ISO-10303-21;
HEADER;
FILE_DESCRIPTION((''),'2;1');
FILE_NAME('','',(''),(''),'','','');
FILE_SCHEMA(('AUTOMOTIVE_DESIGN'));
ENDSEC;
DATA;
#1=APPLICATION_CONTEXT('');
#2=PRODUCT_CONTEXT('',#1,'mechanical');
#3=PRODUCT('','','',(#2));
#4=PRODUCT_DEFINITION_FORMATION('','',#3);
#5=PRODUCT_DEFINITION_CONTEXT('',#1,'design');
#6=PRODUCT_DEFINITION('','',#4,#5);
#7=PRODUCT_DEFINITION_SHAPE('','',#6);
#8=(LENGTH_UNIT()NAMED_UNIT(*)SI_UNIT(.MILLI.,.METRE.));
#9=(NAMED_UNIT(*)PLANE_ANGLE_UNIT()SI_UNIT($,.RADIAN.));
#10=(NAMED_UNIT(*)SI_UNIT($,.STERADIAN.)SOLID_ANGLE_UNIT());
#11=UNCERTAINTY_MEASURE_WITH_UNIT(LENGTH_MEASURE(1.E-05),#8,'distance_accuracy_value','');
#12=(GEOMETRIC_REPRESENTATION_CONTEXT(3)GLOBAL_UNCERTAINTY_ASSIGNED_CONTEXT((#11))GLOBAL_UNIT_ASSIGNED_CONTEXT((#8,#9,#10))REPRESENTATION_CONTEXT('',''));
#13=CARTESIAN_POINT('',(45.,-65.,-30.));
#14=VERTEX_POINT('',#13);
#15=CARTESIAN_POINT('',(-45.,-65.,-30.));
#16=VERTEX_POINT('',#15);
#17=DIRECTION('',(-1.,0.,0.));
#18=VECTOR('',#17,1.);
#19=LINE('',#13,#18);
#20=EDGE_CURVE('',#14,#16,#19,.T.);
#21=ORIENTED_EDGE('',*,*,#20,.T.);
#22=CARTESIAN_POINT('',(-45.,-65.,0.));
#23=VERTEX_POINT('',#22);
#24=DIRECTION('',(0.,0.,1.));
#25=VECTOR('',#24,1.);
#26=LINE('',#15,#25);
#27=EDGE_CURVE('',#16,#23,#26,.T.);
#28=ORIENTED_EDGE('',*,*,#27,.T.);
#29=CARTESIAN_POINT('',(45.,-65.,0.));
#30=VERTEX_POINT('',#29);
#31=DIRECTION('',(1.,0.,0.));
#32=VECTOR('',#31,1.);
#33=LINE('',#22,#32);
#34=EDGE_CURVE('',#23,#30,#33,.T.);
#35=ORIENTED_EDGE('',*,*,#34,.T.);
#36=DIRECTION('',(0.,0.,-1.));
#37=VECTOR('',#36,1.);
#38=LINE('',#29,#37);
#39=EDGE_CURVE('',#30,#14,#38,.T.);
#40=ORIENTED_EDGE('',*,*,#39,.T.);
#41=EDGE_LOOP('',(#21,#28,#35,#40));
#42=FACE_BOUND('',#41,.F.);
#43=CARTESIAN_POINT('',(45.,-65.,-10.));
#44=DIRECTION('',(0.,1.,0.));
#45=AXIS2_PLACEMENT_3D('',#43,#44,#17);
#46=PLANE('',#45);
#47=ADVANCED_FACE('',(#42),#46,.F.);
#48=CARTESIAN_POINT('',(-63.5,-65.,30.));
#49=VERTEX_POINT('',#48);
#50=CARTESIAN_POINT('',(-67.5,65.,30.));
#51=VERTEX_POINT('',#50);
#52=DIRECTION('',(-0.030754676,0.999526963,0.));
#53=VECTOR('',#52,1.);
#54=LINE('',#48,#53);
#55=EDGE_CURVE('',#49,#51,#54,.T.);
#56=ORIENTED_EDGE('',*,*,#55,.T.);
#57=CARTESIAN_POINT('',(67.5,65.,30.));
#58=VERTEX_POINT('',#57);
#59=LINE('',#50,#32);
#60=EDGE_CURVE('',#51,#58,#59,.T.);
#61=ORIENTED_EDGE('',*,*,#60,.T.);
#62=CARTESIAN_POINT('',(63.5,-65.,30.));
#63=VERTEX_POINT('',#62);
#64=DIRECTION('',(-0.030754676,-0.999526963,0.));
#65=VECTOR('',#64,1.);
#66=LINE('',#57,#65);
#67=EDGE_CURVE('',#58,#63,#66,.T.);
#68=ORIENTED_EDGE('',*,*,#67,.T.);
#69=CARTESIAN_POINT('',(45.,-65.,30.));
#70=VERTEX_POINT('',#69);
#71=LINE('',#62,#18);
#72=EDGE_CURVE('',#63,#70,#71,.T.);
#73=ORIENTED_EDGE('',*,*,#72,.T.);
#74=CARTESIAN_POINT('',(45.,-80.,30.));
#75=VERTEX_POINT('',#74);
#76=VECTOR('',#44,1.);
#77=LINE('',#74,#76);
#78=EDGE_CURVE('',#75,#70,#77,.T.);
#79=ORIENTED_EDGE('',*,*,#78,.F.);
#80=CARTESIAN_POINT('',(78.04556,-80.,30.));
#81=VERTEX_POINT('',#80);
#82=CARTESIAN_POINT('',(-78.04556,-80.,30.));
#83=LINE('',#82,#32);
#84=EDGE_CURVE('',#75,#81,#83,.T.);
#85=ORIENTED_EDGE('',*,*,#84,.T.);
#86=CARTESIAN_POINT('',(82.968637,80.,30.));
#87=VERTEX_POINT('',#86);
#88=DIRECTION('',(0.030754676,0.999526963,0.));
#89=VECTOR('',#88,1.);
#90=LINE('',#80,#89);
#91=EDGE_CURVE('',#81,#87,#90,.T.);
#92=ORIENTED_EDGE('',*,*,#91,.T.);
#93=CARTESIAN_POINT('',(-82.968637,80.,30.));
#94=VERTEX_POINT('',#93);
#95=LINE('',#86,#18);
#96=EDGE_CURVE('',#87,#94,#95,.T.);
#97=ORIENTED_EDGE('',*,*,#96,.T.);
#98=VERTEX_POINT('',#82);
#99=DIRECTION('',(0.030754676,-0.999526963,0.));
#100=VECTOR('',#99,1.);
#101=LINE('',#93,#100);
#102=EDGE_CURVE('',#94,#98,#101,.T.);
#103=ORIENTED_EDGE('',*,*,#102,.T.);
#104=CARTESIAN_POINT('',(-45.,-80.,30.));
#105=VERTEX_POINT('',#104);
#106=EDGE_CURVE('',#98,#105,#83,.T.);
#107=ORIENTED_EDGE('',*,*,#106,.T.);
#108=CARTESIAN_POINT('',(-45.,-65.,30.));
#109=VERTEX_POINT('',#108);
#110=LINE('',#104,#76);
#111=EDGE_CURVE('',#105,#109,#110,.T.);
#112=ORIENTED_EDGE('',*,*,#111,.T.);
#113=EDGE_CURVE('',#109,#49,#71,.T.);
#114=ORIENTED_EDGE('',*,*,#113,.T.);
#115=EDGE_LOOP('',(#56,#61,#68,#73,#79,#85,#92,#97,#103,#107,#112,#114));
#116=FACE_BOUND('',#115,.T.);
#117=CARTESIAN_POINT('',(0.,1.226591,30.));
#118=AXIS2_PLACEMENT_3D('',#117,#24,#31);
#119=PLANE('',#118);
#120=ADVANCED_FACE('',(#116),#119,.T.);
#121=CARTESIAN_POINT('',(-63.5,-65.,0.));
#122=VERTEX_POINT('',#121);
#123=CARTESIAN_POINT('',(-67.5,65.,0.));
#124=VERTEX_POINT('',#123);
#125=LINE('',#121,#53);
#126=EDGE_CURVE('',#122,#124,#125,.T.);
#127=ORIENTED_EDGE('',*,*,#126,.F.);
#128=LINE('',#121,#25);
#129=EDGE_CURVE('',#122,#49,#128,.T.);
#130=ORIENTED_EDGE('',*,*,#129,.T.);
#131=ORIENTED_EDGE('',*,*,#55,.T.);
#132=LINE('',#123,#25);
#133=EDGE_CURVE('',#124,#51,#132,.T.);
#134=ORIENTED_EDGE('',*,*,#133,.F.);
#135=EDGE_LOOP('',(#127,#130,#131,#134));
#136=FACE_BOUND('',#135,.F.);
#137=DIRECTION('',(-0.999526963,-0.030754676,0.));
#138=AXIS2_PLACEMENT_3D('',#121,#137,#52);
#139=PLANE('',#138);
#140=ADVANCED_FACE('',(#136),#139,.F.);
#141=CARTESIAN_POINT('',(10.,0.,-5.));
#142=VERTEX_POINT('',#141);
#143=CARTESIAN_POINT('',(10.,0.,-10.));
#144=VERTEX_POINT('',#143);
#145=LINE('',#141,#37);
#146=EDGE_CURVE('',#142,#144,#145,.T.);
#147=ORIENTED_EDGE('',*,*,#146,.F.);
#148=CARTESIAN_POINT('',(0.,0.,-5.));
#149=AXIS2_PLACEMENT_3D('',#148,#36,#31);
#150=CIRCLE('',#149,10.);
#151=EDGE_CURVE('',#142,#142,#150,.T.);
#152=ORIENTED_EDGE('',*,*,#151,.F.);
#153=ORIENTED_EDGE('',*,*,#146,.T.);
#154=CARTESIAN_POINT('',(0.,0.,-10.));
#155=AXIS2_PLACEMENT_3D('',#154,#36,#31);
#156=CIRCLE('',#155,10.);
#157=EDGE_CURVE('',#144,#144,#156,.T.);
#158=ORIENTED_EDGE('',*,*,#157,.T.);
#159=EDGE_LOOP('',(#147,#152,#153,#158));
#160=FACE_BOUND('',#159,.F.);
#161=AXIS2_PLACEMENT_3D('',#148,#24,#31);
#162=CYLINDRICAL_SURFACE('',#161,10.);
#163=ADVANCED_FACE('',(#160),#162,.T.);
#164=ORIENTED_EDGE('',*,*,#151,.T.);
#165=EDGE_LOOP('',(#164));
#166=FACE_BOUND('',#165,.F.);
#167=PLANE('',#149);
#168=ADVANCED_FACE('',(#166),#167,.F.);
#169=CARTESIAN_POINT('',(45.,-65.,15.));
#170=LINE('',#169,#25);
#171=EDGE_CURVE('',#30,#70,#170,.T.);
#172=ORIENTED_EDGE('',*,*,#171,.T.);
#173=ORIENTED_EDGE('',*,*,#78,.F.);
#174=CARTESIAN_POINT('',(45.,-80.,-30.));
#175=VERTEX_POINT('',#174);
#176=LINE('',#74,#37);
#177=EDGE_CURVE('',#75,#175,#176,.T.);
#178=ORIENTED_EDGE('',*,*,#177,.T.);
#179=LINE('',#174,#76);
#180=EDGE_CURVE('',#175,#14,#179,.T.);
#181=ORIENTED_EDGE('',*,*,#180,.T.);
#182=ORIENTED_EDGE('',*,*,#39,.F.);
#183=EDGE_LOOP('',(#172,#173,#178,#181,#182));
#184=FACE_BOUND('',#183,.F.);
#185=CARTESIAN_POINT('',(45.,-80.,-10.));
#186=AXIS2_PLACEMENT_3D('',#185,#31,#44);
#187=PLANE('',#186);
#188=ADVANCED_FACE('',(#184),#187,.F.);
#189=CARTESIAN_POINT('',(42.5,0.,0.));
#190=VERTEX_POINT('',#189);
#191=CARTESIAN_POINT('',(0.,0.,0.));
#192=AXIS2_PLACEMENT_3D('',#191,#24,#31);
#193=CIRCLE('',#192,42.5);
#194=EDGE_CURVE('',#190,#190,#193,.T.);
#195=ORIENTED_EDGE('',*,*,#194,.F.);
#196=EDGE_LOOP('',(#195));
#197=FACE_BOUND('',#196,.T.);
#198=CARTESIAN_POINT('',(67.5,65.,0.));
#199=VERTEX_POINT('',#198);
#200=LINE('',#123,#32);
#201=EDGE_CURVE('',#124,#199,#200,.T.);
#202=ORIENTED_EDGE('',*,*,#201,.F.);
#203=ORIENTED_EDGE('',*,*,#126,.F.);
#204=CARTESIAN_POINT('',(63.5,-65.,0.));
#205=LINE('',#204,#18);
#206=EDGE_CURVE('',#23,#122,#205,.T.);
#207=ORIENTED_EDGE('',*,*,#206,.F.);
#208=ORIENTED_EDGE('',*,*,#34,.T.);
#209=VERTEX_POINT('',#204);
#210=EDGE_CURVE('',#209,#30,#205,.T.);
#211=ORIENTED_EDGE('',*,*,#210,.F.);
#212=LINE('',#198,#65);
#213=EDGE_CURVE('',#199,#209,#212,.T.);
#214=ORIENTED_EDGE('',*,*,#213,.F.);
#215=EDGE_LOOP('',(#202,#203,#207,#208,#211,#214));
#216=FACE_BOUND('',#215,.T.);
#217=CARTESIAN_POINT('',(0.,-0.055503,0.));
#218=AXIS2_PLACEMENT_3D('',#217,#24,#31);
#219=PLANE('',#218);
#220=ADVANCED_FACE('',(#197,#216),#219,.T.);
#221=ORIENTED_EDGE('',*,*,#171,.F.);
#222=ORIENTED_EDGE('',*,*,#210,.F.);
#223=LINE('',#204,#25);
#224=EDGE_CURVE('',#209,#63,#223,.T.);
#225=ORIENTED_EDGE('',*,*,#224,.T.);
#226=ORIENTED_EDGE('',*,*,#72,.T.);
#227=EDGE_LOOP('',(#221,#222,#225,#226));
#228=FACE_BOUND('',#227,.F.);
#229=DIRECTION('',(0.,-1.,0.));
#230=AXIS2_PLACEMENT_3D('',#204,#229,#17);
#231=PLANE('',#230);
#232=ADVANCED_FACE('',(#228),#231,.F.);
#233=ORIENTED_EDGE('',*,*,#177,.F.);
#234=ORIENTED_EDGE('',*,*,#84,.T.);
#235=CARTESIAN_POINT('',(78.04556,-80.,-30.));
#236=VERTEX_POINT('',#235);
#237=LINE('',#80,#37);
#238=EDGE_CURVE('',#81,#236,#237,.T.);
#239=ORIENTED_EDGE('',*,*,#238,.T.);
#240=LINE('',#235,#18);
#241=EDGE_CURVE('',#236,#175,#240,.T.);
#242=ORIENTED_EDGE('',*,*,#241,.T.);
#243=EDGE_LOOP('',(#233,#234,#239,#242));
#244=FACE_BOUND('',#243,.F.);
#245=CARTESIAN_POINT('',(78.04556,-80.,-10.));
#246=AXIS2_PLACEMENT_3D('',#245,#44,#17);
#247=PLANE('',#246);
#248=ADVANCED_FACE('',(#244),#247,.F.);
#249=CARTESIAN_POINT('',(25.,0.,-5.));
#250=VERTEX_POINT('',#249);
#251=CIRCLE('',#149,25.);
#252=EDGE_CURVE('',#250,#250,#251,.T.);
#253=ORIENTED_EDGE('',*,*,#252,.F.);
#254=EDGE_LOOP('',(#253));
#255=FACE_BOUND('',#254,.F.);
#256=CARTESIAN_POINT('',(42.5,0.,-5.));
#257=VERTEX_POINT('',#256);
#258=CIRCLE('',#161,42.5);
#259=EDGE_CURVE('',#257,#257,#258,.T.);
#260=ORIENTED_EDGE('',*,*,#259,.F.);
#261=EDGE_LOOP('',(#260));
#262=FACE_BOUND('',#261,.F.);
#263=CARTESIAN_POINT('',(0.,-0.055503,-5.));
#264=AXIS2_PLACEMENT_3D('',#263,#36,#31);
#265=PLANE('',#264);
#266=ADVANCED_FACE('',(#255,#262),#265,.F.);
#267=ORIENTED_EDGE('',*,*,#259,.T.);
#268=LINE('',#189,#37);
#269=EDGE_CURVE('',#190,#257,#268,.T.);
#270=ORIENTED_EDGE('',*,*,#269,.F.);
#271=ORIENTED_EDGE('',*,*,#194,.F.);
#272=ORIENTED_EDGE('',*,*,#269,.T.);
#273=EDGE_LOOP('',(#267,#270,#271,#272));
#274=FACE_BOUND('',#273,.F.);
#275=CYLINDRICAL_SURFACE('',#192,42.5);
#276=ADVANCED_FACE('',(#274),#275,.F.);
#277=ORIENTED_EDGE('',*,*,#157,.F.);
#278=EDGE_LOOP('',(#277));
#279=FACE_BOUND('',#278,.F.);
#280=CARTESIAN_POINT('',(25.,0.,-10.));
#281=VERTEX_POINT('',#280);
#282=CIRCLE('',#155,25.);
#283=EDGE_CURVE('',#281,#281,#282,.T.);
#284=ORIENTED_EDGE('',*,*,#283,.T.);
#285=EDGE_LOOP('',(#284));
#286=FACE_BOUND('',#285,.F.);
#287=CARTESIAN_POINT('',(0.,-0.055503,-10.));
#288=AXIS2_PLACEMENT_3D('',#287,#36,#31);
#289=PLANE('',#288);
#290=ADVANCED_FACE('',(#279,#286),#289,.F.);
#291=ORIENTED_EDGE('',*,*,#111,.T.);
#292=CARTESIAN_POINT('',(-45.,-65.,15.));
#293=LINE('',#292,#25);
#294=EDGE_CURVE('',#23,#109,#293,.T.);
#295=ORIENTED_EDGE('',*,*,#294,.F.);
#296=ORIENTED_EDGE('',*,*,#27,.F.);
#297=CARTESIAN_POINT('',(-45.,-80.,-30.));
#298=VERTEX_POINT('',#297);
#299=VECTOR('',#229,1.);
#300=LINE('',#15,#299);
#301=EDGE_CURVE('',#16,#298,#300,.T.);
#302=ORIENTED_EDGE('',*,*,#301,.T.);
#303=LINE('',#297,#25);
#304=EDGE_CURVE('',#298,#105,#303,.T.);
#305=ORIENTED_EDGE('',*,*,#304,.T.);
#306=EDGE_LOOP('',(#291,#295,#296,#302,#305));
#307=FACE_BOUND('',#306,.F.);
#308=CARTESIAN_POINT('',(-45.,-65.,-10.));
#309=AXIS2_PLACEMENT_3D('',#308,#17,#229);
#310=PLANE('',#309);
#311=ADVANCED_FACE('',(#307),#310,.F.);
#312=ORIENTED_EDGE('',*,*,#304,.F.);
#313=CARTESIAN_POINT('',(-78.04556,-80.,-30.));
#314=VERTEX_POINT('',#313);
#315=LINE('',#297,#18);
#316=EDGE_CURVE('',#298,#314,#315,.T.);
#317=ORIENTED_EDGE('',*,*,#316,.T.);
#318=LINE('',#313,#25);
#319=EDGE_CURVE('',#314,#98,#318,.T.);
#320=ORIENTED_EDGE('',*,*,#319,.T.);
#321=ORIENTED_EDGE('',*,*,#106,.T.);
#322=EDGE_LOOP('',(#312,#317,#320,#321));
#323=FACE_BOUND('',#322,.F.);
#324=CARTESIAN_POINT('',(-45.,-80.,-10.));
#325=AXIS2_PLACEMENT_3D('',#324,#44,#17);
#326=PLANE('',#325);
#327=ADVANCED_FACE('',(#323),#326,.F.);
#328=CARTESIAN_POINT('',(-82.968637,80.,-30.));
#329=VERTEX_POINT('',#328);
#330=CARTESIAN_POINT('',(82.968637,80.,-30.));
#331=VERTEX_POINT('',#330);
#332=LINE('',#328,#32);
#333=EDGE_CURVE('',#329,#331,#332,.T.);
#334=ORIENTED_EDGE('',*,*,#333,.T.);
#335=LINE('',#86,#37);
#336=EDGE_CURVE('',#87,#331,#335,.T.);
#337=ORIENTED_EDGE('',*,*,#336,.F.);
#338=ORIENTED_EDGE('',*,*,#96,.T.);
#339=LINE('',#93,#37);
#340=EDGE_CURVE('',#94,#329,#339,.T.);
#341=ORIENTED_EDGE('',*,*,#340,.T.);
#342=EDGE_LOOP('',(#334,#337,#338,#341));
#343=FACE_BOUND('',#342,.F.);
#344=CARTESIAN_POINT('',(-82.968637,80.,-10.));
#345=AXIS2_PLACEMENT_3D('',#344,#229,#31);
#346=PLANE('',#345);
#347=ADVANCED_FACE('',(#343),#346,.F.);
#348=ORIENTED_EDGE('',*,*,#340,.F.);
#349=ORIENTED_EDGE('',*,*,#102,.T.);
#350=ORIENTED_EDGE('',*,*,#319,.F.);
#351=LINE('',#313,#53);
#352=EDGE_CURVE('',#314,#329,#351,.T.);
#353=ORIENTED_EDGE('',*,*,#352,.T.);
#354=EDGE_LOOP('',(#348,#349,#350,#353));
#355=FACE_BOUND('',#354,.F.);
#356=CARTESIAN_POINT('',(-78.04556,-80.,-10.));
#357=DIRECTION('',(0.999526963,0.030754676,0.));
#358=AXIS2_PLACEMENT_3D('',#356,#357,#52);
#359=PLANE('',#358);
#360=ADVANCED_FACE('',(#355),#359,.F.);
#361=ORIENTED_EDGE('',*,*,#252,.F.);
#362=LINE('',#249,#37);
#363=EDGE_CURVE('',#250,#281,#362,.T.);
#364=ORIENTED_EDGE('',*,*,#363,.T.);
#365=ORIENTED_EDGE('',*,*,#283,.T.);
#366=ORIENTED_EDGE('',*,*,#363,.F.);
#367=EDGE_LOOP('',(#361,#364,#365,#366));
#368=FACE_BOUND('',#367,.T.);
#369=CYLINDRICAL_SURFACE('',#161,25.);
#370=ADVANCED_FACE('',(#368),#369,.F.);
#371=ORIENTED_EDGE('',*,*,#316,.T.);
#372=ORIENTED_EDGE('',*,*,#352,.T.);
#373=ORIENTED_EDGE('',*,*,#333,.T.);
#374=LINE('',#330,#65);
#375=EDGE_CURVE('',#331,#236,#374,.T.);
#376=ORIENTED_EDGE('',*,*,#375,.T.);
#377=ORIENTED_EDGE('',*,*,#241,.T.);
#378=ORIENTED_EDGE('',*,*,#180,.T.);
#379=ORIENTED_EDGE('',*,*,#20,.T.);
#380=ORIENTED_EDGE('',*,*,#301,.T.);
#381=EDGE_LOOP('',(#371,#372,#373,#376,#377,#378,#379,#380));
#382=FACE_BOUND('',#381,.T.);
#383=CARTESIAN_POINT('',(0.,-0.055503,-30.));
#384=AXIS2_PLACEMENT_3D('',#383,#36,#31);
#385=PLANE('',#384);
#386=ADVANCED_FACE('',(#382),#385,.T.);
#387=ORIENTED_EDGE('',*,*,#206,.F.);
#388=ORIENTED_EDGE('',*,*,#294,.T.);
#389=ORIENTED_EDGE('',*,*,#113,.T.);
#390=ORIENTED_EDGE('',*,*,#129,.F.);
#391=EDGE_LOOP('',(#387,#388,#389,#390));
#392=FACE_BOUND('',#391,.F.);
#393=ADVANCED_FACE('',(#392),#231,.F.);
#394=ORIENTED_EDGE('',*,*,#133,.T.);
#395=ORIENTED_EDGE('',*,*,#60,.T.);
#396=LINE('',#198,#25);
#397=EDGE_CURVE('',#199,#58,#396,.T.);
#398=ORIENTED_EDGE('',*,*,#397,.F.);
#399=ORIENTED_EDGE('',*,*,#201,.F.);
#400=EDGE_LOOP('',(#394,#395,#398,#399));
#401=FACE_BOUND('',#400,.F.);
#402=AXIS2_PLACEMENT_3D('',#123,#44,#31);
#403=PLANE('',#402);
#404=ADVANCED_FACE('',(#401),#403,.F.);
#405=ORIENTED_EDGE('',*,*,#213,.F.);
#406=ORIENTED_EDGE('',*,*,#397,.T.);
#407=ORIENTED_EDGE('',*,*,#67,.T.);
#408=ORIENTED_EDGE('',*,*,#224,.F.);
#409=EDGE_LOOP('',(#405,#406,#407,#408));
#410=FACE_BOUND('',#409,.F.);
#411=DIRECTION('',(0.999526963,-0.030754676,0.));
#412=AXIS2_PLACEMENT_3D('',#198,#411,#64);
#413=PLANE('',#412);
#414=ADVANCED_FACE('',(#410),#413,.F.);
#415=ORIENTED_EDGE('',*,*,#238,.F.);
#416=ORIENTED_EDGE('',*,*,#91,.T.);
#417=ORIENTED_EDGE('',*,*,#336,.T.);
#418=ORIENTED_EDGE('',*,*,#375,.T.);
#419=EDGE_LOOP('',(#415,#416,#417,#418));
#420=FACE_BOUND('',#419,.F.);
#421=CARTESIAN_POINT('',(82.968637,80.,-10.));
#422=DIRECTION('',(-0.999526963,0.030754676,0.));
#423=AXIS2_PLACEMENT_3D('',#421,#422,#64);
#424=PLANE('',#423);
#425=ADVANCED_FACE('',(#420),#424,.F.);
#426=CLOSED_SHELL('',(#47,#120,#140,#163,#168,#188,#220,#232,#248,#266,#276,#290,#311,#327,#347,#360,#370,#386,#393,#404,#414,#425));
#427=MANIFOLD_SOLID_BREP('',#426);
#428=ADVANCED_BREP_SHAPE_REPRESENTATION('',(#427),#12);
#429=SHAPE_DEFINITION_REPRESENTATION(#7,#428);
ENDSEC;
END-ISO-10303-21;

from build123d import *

# Parameters (mm, degrees)
F1_DEPTH  = 30
F2_W      = 90
F2_H      = 30
F3_DEPTH  = 15
F4_R      = 42.5
F5_DEPTH  = 5
F6_R      = 10
F7_DEPTH  = 5
F8_R      = 25
F9_DEPTH  = 5
F11_DEPTH = 20


with BuildPart() as f1:
    # F0 (on Top) → F1 (new body)
    with BuildSketch(Plane.XY):
        Polygon((82.968637, 80), (-82.968637, 80), (-78.04556, -80), (78.04556, -80), align=None)
        Polygon((-63.5, -65), (-67.5, 65), (67.5, 65), (63.5, -65), align=None, mode=Mode.SUBTRACT)
    extrude(amount=F1_DEPTH)

    # F2 (on face) → F3 (cut, through all)
    with BuildSketch(Plane.XZ.offset(80)):
        with Locations((0, 15)):
            Rectangle(F2_W, F2_H)
    extrude(amount=-F3_DEPTH, mode=Mode.SUBTRACT)

    # F4 (on Top) → F5 (join)
    with BuildSketch(Plane.XY):
        Polygon((82.968637, 80), (-82.968637, 80), (-78.04556, -80), (-45, -80), (-45, -65), (45, -65), (45, -80), (78.04556, -80), align=None)
        Circle(F4_R, mode=Mode.SUBTRACT)
    extrude(amount=-F5_DEPTH)

    # F8 (on face) → F9 (join)
    with BuildSketch(Plane(origin=(0, 0, -5), x_dir=(1, 0, 0), z_dir=(0, 0, -1))):
        Polygon((-45, 80), (-78.04556, 80), (-82.968637, -80), (82.968637, -80), (78.04556, 80), (45, 80), (45, 65), (-45, 65), align=None)
        Circle(F8_R, mode=Mode.SUBTRACT)
    extrude(amount=F9_DEPTH)



with BuildPart() as f7:
    # F6 (on face) → F7 (new body)
    with BuildSketch(Plane(origin=(0, 0, -5), x_dir=(1, 0, 0), z_dir=(0, 0, -1))):
        Circle(F6_R)
    extrude(amount=F7_DEPTH)


with BuildPart() as f1_1:
    add(f1.part)

    add(f7.part)  # F11 merges F7
    # F10 (on face) → F11 (join)
    with BuildSketch(Plane(origin=(0, 0, -10), x_dir=(1, 0, 0), z_dir=(0, 0, -1))):
        Polygon((-78.04556, 80), (-82.968637, -80), (82.968637, -80), (78.04556, 80), (45, 80), (45, 65), (-45, 65), (-45, 80), align=None)
    extrude(amount=F11_DEPTH)


solid = f1_1.part
